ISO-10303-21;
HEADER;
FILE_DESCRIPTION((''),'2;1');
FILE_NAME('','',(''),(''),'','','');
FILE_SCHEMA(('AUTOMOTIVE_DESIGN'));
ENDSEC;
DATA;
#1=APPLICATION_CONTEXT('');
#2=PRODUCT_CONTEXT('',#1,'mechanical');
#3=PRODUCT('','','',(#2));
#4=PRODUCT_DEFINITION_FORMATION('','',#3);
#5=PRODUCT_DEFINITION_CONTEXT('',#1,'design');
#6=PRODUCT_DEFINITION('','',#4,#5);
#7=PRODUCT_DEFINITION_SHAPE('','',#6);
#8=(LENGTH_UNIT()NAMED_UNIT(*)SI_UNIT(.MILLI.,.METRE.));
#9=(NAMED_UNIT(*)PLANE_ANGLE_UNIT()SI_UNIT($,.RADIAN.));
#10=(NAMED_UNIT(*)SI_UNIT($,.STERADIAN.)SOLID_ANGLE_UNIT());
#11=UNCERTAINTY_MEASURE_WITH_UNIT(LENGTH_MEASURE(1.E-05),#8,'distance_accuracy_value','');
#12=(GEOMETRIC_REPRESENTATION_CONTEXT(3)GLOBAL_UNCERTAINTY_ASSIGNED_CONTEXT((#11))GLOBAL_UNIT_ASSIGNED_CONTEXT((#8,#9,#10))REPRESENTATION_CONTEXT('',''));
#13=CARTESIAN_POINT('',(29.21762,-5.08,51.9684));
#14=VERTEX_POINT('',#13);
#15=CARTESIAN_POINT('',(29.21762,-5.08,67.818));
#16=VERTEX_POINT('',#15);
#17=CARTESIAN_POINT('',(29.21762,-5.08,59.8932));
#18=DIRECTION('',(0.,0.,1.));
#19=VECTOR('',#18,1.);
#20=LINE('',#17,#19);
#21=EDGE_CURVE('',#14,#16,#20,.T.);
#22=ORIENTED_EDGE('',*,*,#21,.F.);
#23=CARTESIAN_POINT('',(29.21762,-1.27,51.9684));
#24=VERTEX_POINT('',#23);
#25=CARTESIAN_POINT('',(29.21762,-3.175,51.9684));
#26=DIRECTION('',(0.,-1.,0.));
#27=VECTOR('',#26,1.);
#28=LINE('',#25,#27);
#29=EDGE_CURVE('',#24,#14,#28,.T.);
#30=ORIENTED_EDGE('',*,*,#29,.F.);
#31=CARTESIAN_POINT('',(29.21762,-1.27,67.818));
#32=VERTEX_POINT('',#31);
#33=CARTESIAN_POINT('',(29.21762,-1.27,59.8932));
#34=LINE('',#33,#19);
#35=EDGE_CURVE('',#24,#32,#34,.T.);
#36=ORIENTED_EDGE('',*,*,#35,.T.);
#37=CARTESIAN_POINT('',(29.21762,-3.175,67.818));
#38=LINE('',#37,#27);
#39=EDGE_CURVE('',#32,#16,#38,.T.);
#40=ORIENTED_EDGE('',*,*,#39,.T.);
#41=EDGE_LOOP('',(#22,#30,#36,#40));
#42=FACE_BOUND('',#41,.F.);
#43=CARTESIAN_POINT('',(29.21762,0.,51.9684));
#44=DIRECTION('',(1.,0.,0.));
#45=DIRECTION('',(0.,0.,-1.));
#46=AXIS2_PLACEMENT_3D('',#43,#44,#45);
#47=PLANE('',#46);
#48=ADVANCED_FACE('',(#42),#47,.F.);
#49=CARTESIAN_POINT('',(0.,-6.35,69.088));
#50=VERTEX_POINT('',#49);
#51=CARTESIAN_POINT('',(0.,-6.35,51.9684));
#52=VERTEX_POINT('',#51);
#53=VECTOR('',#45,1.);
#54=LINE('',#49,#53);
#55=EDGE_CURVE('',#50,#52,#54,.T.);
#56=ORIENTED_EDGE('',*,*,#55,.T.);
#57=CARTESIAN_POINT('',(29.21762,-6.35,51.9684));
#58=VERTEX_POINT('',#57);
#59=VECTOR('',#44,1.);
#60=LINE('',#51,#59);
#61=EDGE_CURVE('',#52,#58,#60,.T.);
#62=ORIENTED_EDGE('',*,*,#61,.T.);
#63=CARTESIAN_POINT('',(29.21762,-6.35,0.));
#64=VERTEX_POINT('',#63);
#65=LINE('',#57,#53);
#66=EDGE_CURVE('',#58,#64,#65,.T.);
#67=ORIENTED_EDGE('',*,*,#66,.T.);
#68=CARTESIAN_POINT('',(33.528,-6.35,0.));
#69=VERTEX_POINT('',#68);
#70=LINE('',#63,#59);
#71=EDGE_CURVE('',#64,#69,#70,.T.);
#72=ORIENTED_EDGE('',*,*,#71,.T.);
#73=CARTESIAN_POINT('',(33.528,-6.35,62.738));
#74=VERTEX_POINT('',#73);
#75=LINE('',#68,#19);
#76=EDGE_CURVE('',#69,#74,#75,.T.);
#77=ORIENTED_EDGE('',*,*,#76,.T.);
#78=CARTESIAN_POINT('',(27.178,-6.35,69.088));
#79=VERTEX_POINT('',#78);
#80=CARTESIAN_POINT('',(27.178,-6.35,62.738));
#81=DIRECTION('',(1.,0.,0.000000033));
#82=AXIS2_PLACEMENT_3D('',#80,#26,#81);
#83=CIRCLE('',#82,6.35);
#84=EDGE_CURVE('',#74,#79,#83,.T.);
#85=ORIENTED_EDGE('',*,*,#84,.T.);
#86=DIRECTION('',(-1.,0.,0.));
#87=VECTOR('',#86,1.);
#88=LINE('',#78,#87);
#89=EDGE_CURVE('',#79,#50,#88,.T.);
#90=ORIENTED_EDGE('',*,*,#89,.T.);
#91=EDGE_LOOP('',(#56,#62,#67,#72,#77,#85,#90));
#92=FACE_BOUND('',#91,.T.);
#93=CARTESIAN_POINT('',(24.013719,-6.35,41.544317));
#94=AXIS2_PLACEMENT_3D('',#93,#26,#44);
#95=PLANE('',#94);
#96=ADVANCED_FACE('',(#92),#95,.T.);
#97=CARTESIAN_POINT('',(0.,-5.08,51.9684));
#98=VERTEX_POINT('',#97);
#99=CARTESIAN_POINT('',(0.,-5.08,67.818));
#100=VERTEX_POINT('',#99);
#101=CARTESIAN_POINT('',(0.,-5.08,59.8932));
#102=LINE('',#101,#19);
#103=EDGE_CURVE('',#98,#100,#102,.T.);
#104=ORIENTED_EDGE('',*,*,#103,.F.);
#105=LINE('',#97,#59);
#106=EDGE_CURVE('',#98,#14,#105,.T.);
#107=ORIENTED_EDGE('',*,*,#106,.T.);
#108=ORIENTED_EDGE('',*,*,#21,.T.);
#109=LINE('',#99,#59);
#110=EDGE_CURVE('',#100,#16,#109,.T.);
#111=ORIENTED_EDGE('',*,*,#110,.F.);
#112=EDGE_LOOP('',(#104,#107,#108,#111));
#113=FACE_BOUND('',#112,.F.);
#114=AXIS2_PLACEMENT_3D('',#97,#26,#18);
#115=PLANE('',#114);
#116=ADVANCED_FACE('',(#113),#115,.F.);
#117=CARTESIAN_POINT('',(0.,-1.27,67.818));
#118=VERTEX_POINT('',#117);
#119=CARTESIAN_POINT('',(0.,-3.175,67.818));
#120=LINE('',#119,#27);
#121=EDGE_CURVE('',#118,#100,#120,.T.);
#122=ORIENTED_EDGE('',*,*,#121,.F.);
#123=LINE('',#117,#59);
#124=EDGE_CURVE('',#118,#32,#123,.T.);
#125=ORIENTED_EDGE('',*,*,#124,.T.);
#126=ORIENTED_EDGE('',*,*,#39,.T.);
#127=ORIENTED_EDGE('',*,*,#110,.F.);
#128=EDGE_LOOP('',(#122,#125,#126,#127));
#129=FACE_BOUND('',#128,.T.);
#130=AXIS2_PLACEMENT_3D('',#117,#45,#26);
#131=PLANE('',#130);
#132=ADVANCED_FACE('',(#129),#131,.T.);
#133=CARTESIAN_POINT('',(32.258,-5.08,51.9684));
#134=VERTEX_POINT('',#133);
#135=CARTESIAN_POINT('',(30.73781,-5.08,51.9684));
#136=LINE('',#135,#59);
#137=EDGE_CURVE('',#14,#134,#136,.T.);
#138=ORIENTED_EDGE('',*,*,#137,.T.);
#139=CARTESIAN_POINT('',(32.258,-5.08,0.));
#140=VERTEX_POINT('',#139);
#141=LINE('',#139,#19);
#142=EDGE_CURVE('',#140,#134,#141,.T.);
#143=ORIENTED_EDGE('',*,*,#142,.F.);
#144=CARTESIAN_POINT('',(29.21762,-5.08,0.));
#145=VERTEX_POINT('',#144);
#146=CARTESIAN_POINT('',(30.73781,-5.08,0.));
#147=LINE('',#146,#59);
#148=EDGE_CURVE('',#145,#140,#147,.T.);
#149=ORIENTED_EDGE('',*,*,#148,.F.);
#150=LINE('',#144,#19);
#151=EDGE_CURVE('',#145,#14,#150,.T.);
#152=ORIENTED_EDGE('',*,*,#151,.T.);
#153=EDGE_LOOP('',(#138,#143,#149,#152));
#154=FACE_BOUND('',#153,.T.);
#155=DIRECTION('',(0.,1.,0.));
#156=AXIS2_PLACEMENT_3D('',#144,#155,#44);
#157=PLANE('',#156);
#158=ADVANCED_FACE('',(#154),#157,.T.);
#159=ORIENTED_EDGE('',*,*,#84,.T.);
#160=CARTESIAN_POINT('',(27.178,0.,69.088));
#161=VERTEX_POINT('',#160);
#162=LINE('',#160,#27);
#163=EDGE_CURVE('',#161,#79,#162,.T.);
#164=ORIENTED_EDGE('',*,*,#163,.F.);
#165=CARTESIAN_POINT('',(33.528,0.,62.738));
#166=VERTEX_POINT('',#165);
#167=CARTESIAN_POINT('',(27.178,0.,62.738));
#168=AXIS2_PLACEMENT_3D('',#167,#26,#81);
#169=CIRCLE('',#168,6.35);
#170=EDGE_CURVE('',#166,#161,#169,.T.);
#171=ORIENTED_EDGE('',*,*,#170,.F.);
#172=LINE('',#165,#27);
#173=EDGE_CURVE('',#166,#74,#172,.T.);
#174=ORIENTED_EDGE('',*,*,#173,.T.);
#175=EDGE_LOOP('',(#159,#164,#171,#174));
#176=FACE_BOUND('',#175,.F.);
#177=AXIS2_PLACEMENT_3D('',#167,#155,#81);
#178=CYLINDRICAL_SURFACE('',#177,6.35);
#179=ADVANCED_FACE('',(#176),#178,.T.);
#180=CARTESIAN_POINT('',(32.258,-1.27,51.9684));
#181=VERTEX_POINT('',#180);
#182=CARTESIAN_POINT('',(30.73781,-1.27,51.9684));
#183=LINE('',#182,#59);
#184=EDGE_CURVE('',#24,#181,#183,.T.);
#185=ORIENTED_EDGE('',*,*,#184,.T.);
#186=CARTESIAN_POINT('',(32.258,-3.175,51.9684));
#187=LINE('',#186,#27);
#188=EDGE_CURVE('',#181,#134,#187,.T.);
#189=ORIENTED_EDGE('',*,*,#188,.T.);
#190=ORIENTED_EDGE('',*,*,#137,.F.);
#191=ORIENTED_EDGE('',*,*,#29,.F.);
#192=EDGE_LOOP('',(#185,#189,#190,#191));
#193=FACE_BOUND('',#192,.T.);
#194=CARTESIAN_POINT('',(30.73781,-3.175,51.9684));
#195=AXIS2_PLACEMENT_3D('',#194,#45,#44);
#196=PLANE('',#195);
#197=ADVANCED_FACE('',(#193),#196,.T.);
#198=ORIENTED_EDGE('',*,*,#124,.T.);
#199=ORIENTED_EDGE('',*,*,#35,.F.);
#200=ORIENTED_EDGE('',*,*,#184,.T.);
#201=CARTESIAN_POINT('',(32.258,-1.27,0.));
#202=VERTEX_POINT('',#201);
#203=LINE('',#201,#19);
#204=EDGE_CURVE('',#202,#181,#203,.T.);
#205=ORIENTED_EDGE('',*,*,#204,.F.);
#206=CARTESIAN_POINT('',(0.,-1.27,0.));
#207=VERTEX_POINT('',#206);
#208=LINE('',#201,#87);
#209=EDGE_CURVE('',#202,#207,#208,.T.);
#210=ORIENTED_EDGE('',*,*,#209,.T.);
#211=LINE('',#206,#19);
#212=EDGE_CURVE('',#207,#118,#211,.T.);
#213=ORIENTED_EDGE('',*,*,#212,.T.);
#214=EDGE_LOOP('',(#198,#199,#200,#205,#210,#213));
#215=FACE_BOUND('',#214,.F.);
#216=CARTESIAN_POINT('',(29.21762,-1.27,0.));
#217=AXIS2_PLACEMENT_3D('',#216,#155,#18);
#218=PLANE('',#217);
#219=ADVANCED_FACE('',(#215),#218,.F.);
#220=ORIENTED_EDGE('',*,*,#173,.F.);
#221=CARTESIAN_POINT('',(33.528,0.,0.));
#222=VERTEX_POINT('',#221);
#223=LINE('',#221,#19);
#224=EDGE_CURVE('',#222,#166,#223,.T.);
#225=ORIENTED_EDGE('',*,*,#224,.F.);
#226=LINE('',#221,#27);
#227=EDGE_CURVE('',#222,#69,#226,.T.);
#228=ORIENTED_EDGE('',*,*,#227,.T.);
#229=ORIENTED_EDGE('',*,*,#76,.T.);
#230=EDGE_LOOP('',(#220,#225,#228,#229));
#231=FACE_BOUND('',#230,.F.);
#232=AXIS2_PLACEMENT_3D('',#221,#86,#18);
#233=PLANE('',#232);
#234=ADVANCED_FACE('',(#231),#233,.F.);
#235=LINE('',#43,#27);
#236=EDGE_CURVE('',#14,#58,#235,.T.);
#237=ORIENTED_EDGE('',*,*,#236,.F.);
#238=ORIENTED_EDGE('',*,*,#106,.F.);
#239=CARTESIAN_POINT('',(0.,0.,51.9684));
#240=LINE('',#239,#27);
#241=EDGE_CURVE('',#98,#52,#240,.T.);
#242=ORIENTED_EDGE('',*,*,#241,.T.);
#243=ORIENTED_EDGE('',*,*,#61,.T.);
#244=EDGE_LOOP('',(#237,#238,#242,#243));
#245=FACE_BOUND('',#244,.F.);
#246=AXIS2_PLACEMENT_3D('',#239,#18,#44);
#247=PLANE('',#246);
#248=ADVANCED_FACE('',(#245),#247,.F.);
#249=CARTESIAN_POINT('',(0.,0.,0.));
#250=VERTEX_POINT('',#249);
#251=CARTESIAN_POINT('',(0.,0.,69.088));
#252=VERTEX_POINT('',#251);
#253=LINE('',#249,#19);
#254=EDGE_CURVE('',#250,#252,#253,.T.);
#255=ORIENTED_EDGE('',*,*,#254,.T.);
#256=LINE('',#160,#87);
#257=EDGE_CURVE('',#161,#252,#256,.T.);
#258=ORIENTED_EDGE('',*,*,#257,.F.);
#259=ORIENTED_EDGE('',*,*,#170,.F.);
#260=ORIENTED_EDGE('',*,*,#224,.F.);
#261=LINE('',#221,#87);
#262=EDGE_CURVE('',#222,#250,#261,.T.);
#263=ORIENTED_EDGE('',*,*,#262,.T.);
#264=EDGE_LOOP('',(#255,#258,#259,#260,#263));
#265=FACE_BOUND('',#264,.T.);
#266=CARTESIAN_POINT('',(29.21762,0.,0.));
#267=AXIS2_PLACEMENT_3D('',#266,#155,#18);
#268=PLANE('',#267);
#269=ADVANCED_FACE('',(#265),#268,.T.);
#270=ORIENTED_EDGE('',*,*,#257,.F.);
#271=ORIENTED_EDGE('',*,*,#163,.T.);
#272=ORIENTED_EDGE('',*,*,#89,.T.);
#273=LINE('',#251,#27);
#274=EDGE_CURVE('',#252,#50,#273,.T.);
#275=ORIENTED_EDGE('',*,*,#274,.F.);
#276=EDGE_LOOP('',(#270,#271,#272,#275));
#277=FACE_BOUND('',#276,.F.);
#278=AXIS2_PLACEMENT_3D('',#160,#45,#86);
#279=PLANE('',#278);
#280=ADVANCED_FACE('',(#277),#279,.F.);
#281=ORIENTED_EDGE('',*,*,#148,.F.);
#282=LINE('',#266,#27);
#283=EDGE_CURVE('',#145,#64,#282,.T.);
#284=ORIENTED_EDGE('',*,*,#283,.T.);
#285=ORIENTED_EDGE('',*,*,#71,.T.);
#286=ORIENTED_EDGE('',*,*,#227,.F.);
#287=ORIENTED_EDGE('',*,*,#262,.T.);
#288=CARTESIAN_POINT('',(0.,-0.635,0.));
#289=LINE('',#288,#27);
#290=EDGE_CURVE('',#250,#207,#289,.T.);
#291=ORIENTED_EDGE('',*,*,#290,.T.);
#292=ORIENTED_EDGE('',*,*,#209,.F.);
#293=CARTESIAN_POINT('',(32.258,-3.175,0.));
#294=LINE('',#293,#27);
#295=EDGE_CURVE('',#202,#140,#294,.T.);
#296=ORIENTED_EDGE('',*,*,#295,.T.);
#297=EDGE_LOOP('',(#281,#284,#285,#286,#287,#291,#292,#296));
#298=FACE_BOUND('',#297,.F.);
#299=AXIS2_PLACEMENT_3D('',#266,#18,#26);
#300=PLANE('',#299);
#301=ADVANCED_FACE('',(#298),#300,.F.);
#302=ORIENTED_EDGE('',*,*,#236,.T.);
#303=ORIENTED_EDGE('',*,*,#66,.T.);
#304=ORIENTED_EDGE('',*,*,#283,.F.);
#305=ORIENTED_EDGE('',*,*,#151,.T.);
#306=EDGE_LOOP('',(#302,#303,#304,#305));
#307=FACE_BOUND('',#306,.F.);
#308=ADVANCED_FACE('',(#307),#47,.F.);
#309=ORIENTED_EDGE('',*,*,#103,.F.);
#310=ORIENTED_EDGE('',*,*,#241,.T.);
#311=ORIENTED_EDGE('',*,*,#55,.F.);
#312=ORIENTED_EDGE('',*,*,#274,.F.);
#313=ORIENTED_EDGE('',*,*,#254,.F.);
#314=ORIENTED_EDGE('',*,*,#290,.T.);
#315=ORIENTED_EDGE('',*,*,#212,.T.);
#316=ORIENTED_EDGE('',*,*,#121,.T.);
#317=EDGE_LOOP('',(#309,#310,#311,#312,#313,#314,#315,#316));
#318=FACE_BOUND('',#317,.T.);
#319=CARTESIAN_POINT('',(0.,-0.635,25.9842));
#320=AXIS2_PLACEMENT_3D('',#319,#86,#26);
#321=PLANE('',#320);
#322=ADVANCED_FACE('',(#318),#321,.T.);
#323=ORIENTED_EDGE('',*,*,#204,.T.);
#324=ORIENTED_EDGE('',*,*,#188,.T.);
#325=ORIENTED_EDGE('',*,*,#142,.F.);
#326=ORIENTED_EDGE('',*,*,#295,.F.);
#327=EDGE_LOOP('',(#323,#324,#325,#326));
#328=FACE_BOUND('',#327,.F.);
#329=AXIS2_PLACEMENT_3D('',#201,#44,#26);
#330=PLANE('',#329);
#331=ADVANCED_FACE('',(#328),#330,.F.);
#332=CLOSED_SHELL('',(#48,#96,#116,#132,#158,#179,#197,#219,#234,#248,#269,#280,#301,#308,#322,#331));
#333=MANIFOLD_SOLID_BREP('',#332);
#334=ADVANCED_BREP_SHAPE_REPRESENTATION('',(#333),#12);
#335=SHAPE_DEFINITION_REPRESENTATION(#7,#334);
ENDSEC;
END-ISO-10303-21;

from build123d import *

# Parameters (mm, degrees)
F1_DEPTH = 6.35
F2_W     = 3.81
F2_H     = 15.8496
F3_DEPTH = 29.21762
F4_W     = 3.04038
F4_H     = 3.81
F5_DEPTH = 51.9684
F6_W     = 1.27
F6_H     = 51.9684
F7_DEPTH = 29.21762


with BuildPart() as f1:
    # F0 (on Front) → F1 (new body)
    with BuildSketch(Plane.XZ):
        with BuildLine():
            Line((27.178, 69.088), (0, 69.088))
            Line((0, 69.088), (0, 51.9684))
            Line((0, 51.9684), (29.21762, 51.9684))
            Line((29.21762, 51.9684), (29.21762, 0))
            Line((29.21762, 0), (33.528, 0))
            Line((33.528, 0), (33.528, 62.738))
            ThreePointArc((33.528, 62.738), (31.668128, 67.228128), (27.178, 69.088))
        make_face()
    extrude(amount=F1_DEPTH)

    # F2 (on face) → F3 (cut)
    with BuildSketch(Plane(origin=(0, 0, 0), x_dir=(0, -1, 0), z_dir=(-1, 0, 0))):
        with Locations((3.175, 59.8932)):
            Rectangle(F2_W, F2_H)
    extrude(amount=-F3_DEPTH, mode=Mode.SUBTRACT)

    # F4 (on face) → F5 (cut)
    with BuildSketch(Plane(origin=(0, 0, 0), x_dir=(1, 0, 0), z_dir=(0, 0, -1))):
        with Locations((30.73781, 3.175)):
            Rectangle(F4_W, F4_H)
    extrude(amount=-F5_DEPTH, mode=Mode.SUBTRACT)

    # F6 (on face) → F7 (join, through all)
    with BuildSketch(Plane(origin=(29.21762, 0, 0), x_dir=(0, -1, 0), z_dir=(-1, 0, 0))):
        with Locations((0.635, 25.9842)):
            Rectangle(F6_W, F6_H)
    extrude(amount=F7_DEPTH)


solid = f1.part
